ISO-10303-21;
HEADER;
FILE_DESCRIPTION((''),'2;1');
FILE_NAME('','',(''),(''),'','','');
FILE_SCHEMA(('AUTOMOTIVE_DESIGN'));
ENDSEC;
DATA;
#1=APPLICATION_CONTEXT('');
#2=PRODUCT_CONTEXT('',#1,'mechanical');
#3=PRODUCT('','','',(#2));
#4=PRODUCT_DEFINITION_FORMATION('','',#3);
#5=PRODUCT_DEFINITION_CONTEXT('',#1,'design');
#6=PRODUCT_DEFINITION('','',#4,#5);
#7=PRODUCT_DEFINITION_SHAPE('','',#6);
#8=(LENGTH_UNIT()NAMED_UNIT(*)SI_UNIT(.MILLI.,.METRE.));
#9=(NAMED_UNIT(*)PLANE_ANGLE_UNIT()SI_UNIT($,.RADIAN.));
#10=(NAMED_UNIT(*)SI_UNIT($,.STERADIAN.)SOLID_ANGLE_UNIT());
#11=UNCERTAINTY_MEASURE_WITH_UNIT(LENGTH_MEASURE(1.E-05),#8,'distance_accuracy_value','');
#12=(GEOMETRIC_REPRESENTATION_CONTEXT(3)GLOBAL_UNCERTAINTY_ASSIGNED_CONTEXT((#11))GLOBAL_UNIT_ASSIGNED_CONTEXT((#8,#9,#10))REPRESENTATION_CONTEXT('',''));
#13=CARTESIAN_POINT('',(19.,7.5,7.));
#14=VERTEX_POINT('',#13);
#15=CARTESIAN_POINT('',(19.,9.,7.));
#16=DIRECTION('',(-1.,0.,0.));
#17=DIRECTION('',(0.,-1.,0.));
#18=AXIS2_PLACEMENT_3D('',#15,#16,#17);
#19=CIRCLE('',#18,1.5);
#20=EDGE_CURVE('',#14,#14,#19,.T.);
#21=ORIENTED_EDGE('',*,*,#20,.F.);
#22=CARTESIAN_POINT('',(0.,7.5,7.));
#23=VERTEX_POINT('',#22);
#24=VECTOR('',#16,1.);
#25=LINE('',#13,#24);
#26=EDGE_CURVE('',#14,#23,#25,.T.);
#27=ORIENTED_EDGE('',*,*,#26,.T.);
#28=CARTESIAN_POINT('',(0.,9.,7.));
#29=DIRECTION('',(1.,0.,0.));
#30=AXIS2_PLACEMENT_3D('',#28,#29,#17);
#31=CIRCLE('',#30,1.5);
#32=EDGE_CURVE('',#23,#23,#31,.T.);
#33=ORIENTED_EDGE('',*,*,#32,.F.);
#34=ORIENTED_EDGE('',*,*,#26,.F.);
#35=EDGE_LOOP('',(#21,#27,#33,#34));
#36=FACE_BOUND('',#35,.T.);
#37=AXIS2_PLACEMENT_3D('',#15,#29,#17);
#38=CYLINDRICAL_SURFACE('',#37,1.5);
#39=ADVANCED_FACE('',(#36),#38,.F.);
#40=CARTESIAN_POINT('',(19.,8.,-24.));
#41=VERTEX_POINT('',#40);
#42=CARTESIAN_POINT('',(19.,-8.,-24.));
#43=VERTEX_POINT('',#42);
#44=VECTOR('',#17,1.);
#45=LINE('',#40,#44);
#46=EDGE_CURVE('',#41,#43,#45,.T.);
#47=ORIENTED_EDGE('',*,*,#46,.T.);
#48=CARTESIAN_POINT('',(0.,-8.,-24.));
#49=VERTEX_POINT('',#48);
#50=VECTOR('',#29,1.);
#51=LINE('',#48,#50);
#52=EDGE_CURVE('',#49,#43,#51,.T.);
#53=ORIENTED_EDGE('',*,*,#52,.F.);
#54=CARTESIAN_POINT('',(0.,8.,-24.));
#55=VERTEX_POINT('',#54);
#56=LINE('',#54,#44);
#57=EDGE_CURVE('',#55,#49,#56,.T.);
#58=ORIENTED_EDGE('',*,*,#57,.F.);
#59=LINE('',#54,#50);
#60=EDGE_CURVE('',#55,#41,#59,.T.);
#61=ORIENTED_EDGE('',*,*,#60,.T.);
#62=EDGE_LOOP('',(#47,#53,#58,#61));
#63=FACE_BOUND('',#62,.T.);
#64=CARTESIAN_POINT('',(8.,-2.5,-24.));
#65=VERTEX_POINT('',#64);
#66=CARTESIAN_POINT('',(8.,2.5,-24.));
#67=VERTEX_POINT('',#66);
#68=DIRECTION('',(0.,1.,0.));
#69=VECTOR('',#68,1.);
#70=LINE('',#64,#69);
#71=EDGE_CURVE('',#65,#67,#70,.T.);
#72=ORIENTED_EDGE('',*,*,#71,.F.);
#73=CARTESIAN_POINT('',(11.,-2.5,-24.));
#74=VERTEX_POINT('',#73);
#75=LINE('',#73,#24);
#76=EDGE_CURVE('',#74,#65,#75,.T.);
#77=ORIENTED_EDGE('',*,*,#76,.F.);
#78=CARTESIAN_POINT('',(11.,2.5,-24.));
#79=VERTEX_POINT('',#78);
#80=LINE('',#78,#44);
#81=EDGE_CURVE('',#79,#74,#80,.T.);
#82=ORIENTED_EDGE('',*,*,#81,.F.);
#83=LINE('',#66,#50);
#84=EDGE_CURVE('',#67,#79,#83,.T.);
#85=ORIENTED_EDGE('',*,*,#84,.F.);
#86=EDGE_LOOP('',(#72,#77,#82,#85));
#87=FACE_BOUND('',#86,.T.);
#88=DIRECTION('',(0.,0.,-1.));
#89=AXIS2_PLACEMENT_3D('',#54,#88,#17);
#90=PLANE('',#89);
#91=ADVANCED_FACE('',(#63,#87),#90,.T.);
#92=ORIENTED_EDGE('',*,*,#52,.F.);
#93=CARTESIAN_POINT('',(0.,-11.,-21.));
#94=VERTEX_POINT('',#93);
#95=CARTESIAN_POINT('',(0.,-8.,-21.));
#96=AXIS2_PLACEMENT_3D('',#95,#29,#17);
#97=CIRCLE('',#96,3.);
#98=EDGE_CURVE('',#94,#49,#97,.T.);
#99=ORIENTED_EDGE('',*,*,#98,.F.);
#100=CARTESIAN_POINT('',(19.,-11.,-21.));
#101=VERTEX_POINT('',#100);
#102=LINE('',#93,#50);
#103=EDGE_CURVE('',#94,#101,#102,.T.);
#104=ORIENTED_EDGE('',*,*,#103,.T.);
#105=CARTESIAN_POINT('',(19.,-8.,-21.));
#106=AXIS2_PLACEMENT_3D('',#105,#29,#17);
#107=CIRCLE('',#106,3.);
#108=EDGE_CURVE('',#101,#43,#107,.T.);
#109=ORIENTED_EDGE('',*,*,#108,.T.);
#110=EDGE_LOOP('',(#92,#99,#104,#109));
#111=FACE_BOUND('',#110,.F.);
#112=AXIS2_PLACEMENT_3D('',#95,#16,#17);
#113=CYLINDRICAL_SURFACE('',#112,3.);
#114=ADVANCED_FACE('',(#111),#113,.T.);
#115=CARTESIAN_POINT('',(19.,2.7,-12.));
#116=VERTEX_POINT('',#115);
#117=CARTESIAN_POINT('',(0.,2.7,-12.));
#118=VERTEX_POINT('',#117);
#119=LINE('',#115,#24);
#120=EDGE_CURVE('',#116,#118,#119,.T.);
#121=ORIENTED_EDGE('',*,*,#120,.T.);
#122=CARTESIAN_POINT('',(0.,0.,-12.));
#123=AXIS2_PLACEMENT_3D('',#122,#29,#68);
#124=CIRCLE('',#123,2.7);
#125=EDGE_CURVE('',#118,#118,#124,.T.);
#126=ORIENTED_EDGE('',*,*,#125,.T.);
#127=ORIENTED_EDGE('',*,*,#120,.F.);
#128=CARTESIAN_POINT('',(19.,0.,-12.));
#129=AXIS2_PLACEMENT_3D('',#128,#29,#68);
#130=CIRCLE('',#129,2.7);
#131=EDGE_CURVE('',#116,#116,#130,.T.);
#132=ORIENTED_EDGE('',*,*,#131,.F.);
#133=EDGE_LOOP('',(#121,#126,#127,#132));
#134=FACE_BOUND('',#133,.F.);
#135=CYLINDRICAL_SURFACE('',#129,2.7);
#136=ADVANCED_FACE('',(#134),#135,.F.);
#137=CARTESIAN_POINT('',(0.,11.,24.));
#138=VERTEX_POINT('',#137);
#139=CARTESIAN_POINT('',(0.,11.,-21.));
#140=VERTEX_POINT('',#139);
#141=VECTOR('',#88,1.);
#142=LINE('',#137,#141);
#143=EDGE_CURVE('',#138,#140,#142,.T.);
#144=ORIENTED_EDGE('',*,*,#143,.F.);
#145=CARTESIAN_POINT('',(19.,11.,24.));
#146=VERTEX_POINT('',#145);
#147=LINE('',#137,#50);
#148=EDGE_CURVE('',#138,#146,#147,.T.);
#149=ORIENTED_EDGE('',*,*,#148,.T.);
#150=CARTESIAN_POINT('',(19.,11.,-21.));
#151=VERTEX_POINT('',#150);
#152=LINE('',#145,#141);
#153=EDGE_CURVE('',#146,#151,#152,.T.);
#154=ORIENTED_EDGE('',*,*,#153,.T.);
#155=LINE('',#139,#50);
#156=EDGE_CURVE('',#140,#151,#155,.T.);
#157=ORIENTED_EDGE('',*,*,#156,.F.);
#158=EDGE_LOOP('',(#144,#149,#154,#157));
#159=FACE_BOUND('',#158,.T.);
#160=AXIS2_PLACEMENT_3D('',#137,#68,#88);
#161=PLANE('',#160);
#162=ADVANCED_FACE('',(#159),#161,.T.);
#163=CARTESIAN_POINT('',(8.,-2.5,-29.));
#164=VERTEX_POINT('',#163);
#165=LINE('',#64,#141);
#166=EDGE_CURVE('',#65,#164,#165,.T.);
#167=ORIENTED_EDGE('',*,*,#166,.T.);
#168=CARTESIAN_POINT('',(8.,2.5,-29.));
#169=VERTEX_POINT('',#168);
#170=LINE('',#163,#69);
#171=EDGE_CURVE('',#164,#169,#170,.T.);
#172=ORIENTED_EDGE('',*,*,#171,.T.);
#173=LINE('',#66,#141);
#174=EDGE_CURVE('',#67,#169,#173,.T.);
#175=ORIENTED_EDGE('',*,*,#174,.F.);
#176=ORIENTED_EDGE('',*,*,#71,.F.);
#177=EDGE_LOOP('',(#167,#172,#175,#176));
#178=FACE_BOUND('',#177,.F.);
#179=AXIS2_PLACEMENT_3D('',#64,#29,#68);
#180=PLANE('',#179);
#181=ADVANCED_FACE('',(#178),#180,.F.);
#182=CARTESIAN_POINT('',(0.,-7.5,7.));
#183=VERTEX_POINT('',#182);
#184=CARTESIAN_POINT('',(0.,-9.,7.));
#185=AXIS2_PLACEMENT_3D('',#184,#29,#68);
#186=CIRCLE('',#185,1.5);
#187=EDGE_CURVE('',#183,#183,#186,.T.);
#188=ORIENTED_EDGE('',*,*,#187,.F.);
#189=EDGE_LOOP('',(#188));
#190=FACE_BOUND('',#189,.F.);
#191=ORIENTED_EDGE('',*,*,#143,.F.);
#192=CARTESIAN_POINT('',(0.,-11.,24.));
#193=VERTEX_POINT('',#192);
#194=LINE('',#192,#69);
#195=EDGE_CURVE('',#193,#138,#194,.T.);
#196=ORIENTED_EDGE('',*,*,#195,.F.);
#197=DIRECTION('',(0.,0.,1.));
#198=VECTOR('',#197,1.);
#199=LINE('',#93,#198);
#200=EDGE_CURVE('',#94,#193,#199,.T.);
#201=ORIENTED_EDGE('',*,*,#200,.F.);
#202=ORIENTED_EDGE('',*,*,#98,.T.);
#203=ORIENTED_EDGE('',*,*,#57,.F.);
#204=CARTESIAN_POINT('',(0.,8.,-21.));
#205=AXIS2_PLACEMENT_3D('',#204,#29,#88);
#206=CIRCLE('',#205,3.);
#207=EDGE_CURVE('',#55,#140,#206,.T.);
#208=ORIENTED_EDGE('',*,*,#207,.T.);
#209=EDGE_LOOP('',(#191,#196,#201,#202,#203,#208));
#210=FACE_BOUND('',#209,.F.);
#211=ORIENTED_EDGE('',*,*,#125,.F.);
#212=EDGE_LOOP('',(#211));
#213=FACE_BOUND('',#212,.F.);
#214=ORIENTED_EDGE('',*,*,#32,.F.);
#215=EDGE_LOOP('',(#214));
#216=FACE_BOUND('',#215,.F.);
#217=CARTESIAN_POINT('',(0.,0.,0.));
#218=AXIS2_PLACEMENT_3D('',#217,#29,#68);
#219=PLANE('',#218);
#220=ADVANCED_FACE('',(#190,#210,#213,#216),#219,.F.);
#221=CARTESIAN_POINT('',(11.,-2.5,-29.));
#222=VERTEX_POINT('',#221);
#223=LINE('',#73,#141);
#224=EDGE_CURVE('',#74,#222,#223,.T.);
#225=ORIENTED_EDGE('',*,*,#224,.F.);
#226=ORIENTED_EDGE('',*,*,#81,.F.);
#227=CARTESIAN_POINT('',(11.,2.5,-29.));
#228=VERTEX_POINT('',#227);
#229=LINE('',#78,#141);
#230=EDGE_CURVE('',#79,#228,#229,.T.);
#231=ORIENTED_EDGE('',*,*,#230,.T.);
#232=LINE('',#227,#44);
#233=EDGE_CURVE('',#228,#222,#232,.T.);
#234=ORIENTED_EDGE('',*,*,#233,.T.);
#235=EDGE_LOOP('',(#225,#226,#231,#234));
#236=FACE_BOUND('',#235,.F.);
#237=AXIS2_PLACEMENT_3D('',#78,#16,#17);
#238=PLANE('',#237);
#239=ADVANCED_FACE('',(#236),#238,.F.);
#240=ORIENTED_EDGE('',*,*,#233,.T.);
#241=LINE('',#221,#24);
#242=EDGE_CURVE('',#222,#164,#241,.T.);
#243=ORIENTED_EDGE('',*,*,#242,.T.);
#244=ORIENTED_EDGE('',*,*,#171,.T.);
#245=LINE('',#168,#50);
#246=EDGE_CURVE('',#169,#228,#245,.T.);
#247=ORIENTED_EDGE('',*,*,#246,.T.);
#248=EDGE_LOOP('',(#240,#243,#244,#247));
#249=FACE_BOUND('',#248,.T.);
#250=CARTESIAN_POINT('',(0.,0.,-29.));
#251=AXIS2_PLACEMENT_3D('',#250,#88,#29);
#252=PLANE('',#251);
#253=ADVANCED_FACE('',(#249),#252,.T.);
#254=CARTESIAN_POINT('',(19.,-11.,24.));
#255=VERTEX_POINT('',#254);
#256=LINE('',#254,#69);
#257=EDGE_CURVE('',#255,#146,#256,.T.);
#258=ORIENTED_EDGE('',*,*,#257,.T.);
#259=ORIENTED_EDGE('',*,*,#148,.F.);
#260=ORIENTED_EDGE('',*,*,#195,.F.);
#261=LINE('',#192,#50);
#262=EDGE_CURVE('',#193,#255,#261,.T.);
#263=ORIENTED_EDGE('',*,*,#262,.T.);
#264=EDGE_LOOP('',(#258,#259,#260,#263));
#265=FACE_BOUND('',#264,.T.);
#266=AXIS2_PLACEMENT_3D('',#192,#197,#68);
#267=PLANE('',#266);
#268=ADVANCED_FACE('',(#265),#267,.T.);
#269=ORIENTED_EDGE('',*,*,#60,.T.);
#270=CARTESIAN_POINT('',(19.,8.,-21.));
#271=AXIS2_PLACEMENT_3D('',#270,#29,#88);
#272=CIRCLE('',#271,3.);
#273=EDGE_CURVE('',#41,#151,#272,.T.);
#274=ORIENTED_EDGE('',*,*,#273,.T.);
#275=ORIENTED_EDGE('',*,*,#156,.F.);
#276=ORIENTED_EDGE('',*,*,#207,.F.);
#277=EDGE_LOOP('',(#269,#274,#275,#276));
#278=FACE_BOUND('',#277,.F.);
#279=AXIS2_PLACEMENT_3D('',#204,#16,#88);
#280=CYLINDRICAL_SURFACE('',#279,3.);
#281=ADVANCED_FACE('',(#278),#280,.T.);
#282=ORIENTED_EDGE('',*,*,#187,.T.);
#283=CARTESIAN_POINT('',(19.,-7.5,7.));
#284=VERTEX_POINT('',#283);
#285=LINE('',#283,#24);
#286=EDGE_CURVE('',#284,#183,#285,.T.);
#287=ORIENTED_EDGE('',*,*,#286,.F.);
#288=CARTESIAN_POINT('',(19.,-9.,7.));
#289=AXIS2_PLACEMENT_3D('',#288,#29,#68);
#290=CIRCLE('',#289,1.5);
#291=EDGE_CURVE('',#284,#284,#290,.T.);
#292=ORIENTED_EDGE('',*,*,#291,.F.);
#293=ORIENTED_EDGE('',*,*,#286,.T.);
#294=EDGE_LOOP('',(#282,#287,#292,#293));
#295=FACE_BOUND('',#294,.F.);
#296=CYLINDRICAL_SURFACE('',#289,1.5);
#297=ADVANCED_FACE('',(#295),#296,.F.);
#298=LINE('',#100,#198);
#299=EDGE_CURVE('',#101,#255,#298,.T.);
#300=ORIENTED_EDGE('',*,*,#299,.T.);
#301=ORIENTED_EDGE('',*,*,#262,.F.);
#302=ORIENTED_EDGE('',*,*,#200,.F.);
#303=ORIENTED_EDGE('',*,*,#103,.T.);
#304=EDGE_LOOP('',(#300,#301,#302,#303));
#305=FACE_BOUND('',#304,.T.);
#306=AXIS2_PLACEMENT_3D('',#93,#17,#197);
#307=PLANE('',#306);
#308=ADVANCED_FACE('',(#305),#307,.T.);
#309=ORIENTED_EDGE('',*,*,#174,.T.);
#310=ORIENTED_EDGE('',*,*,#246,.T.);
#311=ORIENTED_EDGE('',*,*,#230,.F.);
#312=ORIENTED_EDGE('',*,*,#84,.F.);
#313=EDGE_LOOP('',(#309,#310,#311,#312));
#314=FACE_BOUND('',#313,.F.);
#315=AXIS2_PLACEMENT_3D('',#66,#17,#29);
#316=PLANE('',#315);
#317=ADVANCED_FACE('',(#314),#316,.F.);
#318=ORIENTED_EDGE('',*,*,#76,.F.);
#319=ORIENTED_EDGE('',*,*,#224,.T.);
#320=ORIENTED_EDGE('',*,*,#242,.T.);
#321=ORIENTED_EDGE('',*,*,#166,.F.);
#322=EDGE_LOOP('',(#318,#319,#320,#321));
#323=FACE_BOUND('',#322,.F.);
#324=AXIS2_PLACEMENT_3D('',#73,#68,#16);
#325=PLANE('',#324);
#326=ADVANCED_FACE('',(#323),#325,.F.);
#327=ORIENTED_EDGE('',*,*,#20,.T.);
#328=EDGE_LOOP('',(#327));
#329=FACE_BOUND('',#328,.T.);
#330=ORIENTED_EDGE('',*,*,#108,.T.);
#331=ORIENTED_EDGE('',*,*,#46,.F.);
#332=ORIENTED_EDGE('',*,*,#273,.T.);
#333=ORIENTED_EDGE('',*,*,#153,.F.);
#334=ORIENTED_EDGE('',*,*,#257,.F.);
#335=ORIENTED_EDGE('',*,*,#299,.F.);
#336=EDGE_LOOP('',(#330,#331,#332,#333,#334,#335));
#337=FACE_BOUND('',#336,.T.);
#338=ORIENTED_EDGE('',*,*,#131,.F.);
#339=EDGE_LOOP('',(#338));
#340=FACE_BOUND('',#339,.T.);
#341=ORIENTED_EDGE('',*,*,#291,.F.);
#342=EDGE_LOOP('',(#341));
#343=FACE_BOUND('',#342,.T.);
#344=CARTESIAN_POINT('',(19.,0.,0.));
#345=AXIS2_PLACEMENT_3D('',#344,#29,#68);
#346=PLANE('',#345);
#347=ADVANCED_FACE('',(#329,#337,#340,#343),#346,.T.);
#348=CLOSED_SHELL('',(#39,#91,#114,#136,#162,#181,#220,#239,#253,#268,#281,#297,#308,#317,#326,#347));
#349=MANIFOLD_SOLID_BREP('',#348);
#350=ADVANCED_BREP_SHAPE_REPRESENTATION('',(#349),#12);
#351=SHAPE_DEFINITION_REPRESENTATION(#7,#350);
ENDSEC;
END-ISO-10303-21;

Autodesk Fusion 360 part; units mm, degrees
sketch "Case base" plane through (0, 0, 0) normal (1, 0, 0) x (0, 1, 0)
  line L0 (-11, 24) -> (11, 24)
  line L1 (11, 24) -> (11, -21)
  line L2 (8, -24) -> (-8, -24)
  line L3 (-11, -21) -> (-11, 24)
  line L4 (-11, 24) -> (11, -24) construction
  line L5 (11, 24) -> (-11, -24) construction
  arc A0 (-11, -21) -> (-8, -24) centre (-8, -21) ccw
  arc A1 (8, -24) -> (11, -21) centre (8, -21) ccw
  dimension "d5" = 22
  dimension "d6" = 48
  dimension "d7" = 3
  dimension "d8" = 3
extrude "Case width" add sketch "Case base" along normal blind 19
sketch "Pin base" plane through (0, 0, -24) normal (0, 0, -1) x (1, 0, 0)
  line L0 (0, 8) -> (0, -8)
  line L1 (0, -8) -> (19, -8)
  line L2 (19, -8) -> (19, 8)
  line L3 (19, 8) -> (0, 8)
  line L4 (0, 0) -> (19, 0) construction
  line L5 (11, 2.5) -> (8, 2.5)
  line L6 (8, 2.5) -> (8, -2.5)
  line L7 (8, -2.5) -> (11, -2.5)
  line L8 (11, -2.5) -> (11, 2.5)
  line L9 (11, 2.5) -> (8, -2.5) construction
  line L10 (8, 2.5) -> (11, -2.5) construction
  point P0 (9.5, 0)
  dimension "d11" = 5
  dimension "d12" = 3
extrude "Pin base (1)" add sketch "Pin base" along normal blind 5 contours L5 L6 L7 L8
sketch "Pin hole" plane through (11, 0, 0) normal (1, 0, 0) x (0, 1, 0)
  line L0 (2.5, -24) -> (-2.5, -24)
  line L1 (-2.5, -24) -> (-2.5, -29)
  line L2 (-2.5, -29) -> (2.5, -29)
  line L3 (2.5, -29) -> (2.5, -24)
  circle A0 centre (0, -26.5) radius 1.5
  dimension "d15" = 3
extrude "Pin hole (1)" cut sketch "Pin hole" along normal through all contours A0
sketch "Case axis" plane through (19, 0, 0) normal (1, 0, 0) x (0, 1, 0)
  arc A0 (-11, -21) -> (-8, -24) centre (-8, -21) ccw
  line L0 (-8, -24) -> (8, -24)
  arc A1 (8, -24) -> (11, -21) centre (8, -21) ccw
  line L1 (11, -21) -> (11, 24)
  line L2 (11, 24) -> (-11, 24)
  line L3 (-11, 24) -> (-11, -21)
  line L4 (0, -24) -> (0, -12) construction
  circle A2 centre (0, -12) radius 2.7
  dimension "d17" = 12
  dimension "d18" = 5.4
extrude "Case axis (1)" cut sketch "Case axis" against normal through all contours A2
sketch "Case hole" plane through (19, 0, 0) normal (1, 0, 0) x (0, 1, 0)
  circle A0 centre (0, -12) radius 2.7
  arc A1 (-11, -21) -> (-8, -24) centre (-8, -21) ccw
  line L0 (-8, -24) -> (8, -24)
  arc A2 (8, -24) -> (11, -21) centre (8, -21) ccw
  line L1 (11, -21) -> (11, 24)
  line L2 (11, 24) -> (-11, 24)
  line L3 (-11, 24) -> (-11, -21)
  line L4 (-11, 22) -> (-9, 22) construction
  line L5 (-9, 24) -> (-9, 7) construction
  circle A3 centre (-9, 7) radius 1.5
  dimension "d20" = 2
  dimension "d21" = 17
  dimension "d22" = 3
extrude "Case hole (1)" cut sketch "Case hole" against normal through all contours A3
mirror "Case holes" about plane through (0, 0, 0) normal (0, 1, 0) of "Case hole (1)"
